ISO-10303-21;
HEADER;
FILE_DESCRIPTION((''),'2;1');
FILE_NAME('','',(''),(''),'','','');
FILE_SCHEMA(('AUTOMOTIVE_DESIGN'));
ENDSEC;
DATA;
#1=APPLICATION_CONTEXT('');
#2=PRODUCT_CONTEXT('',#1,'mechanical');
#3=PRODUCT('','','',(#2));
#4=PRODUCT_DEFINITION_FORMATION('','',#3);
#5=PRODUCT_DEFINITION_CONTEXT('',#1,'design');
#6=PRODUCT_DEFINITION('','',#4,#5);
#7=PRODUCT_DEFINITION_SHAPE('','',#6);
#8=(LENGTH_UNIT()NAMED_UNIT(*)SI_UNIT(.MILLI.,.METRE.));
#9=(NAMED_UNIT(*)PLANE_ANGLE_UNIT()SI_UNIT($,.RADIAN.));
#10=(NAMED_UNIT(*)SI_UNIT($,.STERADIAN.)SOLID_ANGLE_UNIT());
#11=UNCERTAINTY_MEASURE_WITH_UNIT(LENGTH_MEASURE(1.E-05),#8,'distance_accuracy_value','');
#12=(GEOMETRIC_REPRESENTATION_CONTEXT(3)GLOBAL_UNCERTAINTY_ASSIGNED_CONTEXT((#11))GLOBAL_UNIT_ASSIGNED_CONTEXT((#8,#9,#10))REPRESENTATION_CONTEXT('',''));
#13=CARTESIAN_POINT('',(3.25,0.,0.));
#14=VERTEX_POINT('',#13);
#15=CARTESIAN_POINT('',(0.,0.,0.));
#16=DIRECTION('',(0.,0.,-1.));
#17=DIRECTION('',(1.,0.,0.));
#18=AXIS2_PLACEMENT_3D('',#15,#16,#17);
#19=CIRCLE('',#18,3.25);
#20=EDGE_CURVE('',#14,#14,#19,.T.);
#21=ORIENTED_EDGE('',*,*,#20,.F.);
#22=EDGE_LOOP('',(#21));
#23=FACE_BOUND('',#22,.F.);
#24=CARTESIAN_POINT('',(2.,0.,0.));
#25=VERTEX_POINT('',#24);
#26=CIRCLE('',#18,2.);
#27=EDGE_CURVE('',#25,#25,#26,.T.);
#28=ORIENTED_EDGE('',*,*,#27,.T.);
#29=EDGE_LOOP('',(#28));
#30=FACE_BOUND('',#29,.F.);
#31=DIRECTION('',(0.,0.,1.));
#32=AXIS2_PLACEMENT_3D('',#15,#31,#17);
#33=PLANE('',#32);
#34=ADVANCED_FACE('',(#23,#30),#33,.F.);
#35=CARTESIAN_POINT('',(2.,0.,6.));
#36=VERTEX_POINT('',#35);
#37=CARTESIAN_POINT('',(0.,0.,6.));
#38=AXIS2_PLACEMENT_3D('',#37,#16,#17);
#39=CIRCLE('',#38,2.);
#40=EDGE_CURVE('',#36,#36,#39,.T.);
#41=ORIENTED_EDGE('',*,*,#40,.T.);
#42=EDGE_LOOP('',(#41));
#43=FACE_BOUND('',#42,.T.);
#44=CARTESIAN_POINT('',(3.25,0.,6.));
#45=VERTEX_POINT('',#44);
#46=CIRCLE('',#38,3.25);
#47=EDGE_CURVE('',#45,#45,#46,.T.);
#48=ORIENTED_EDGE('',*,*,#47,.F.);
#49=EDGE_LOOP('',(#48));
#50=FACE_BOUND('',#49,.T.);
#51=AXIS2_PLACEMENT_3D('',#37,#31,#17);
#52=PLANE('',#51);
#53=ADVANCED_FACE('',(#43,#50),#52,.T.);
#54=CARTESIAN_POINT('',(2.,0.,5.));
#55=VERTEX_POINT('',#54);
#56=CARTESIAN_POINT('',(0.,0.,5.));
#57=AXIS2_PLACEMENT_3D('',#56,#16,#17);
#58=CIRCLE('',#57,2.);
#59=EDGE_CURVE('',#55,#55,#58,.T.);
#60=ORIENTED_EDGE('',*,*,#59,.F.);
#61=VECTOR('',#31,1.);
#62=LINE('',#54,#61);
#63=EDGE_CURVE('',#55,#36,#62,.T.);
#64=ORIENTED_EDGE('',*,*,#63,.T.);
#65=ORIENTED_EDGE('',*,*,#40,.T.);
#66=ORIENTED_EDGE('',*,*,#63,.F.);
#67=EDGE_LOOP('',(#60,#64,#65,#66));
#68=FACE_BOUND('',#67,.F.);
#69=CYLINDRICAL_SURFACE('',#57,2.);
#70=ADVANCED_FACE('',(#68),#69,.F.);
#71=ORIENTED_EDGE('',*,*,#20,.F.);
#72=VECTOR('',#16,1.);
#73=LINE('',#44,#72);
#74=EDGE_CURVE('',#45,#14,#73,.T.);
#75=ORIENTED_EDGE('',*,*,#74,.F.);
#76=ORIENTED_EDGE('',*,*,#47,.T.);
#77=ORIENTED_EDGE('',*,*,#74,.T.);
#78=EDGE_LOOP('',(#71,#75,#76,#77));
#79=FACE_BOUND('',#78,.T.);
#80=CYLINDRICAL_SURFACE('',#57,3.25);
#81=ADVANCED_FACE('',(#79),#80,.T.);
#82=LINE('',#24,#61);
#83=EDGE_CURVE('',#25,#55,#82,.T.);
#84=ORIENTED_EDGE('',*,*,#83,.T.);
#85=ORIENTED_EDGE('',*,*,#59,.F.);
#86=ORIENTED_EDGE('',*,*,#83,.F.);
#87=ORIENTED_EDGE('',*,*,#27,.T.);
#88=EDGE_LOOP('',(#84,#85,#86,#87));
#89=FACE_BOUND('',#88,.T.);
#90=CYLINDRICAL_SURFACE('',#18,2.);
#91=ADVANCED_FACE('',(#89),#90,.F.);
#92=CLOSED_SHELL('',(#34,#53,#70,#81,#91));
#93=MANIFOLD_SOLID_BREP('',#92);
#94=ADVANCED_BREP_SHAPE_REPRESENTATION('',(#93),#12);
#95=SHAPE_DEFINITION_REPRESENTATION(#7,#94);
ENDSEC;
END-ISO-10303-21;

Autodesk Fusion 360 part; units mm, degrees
sketch "Sketch1" plane through (0, 0, 0) normal (0, 0, 1) x (1, 0, 0)
  circle A0 centre (0, 0) radius 2
  circle A1 centre (0, 0) radius 2.75
  dimension "d5" = 4
  dimension "d8" = 5.5
extrude "Extrude2" add sketch "Sketch1" along normal blind 6.6
move_face "OffsetFaces1" offset 0.5 1 faces at (2.7466, -0.1371, 4.4)
extrude "Extrude3" cut 1 faces at (2.8212, 0.1615, 6.6) along direction (0, 0, -1) blind 1.6
extrude "Extrude4" add 1 faces at (2.8212, 0.1615, 5) along direction (0, 0, 1) blind 1
